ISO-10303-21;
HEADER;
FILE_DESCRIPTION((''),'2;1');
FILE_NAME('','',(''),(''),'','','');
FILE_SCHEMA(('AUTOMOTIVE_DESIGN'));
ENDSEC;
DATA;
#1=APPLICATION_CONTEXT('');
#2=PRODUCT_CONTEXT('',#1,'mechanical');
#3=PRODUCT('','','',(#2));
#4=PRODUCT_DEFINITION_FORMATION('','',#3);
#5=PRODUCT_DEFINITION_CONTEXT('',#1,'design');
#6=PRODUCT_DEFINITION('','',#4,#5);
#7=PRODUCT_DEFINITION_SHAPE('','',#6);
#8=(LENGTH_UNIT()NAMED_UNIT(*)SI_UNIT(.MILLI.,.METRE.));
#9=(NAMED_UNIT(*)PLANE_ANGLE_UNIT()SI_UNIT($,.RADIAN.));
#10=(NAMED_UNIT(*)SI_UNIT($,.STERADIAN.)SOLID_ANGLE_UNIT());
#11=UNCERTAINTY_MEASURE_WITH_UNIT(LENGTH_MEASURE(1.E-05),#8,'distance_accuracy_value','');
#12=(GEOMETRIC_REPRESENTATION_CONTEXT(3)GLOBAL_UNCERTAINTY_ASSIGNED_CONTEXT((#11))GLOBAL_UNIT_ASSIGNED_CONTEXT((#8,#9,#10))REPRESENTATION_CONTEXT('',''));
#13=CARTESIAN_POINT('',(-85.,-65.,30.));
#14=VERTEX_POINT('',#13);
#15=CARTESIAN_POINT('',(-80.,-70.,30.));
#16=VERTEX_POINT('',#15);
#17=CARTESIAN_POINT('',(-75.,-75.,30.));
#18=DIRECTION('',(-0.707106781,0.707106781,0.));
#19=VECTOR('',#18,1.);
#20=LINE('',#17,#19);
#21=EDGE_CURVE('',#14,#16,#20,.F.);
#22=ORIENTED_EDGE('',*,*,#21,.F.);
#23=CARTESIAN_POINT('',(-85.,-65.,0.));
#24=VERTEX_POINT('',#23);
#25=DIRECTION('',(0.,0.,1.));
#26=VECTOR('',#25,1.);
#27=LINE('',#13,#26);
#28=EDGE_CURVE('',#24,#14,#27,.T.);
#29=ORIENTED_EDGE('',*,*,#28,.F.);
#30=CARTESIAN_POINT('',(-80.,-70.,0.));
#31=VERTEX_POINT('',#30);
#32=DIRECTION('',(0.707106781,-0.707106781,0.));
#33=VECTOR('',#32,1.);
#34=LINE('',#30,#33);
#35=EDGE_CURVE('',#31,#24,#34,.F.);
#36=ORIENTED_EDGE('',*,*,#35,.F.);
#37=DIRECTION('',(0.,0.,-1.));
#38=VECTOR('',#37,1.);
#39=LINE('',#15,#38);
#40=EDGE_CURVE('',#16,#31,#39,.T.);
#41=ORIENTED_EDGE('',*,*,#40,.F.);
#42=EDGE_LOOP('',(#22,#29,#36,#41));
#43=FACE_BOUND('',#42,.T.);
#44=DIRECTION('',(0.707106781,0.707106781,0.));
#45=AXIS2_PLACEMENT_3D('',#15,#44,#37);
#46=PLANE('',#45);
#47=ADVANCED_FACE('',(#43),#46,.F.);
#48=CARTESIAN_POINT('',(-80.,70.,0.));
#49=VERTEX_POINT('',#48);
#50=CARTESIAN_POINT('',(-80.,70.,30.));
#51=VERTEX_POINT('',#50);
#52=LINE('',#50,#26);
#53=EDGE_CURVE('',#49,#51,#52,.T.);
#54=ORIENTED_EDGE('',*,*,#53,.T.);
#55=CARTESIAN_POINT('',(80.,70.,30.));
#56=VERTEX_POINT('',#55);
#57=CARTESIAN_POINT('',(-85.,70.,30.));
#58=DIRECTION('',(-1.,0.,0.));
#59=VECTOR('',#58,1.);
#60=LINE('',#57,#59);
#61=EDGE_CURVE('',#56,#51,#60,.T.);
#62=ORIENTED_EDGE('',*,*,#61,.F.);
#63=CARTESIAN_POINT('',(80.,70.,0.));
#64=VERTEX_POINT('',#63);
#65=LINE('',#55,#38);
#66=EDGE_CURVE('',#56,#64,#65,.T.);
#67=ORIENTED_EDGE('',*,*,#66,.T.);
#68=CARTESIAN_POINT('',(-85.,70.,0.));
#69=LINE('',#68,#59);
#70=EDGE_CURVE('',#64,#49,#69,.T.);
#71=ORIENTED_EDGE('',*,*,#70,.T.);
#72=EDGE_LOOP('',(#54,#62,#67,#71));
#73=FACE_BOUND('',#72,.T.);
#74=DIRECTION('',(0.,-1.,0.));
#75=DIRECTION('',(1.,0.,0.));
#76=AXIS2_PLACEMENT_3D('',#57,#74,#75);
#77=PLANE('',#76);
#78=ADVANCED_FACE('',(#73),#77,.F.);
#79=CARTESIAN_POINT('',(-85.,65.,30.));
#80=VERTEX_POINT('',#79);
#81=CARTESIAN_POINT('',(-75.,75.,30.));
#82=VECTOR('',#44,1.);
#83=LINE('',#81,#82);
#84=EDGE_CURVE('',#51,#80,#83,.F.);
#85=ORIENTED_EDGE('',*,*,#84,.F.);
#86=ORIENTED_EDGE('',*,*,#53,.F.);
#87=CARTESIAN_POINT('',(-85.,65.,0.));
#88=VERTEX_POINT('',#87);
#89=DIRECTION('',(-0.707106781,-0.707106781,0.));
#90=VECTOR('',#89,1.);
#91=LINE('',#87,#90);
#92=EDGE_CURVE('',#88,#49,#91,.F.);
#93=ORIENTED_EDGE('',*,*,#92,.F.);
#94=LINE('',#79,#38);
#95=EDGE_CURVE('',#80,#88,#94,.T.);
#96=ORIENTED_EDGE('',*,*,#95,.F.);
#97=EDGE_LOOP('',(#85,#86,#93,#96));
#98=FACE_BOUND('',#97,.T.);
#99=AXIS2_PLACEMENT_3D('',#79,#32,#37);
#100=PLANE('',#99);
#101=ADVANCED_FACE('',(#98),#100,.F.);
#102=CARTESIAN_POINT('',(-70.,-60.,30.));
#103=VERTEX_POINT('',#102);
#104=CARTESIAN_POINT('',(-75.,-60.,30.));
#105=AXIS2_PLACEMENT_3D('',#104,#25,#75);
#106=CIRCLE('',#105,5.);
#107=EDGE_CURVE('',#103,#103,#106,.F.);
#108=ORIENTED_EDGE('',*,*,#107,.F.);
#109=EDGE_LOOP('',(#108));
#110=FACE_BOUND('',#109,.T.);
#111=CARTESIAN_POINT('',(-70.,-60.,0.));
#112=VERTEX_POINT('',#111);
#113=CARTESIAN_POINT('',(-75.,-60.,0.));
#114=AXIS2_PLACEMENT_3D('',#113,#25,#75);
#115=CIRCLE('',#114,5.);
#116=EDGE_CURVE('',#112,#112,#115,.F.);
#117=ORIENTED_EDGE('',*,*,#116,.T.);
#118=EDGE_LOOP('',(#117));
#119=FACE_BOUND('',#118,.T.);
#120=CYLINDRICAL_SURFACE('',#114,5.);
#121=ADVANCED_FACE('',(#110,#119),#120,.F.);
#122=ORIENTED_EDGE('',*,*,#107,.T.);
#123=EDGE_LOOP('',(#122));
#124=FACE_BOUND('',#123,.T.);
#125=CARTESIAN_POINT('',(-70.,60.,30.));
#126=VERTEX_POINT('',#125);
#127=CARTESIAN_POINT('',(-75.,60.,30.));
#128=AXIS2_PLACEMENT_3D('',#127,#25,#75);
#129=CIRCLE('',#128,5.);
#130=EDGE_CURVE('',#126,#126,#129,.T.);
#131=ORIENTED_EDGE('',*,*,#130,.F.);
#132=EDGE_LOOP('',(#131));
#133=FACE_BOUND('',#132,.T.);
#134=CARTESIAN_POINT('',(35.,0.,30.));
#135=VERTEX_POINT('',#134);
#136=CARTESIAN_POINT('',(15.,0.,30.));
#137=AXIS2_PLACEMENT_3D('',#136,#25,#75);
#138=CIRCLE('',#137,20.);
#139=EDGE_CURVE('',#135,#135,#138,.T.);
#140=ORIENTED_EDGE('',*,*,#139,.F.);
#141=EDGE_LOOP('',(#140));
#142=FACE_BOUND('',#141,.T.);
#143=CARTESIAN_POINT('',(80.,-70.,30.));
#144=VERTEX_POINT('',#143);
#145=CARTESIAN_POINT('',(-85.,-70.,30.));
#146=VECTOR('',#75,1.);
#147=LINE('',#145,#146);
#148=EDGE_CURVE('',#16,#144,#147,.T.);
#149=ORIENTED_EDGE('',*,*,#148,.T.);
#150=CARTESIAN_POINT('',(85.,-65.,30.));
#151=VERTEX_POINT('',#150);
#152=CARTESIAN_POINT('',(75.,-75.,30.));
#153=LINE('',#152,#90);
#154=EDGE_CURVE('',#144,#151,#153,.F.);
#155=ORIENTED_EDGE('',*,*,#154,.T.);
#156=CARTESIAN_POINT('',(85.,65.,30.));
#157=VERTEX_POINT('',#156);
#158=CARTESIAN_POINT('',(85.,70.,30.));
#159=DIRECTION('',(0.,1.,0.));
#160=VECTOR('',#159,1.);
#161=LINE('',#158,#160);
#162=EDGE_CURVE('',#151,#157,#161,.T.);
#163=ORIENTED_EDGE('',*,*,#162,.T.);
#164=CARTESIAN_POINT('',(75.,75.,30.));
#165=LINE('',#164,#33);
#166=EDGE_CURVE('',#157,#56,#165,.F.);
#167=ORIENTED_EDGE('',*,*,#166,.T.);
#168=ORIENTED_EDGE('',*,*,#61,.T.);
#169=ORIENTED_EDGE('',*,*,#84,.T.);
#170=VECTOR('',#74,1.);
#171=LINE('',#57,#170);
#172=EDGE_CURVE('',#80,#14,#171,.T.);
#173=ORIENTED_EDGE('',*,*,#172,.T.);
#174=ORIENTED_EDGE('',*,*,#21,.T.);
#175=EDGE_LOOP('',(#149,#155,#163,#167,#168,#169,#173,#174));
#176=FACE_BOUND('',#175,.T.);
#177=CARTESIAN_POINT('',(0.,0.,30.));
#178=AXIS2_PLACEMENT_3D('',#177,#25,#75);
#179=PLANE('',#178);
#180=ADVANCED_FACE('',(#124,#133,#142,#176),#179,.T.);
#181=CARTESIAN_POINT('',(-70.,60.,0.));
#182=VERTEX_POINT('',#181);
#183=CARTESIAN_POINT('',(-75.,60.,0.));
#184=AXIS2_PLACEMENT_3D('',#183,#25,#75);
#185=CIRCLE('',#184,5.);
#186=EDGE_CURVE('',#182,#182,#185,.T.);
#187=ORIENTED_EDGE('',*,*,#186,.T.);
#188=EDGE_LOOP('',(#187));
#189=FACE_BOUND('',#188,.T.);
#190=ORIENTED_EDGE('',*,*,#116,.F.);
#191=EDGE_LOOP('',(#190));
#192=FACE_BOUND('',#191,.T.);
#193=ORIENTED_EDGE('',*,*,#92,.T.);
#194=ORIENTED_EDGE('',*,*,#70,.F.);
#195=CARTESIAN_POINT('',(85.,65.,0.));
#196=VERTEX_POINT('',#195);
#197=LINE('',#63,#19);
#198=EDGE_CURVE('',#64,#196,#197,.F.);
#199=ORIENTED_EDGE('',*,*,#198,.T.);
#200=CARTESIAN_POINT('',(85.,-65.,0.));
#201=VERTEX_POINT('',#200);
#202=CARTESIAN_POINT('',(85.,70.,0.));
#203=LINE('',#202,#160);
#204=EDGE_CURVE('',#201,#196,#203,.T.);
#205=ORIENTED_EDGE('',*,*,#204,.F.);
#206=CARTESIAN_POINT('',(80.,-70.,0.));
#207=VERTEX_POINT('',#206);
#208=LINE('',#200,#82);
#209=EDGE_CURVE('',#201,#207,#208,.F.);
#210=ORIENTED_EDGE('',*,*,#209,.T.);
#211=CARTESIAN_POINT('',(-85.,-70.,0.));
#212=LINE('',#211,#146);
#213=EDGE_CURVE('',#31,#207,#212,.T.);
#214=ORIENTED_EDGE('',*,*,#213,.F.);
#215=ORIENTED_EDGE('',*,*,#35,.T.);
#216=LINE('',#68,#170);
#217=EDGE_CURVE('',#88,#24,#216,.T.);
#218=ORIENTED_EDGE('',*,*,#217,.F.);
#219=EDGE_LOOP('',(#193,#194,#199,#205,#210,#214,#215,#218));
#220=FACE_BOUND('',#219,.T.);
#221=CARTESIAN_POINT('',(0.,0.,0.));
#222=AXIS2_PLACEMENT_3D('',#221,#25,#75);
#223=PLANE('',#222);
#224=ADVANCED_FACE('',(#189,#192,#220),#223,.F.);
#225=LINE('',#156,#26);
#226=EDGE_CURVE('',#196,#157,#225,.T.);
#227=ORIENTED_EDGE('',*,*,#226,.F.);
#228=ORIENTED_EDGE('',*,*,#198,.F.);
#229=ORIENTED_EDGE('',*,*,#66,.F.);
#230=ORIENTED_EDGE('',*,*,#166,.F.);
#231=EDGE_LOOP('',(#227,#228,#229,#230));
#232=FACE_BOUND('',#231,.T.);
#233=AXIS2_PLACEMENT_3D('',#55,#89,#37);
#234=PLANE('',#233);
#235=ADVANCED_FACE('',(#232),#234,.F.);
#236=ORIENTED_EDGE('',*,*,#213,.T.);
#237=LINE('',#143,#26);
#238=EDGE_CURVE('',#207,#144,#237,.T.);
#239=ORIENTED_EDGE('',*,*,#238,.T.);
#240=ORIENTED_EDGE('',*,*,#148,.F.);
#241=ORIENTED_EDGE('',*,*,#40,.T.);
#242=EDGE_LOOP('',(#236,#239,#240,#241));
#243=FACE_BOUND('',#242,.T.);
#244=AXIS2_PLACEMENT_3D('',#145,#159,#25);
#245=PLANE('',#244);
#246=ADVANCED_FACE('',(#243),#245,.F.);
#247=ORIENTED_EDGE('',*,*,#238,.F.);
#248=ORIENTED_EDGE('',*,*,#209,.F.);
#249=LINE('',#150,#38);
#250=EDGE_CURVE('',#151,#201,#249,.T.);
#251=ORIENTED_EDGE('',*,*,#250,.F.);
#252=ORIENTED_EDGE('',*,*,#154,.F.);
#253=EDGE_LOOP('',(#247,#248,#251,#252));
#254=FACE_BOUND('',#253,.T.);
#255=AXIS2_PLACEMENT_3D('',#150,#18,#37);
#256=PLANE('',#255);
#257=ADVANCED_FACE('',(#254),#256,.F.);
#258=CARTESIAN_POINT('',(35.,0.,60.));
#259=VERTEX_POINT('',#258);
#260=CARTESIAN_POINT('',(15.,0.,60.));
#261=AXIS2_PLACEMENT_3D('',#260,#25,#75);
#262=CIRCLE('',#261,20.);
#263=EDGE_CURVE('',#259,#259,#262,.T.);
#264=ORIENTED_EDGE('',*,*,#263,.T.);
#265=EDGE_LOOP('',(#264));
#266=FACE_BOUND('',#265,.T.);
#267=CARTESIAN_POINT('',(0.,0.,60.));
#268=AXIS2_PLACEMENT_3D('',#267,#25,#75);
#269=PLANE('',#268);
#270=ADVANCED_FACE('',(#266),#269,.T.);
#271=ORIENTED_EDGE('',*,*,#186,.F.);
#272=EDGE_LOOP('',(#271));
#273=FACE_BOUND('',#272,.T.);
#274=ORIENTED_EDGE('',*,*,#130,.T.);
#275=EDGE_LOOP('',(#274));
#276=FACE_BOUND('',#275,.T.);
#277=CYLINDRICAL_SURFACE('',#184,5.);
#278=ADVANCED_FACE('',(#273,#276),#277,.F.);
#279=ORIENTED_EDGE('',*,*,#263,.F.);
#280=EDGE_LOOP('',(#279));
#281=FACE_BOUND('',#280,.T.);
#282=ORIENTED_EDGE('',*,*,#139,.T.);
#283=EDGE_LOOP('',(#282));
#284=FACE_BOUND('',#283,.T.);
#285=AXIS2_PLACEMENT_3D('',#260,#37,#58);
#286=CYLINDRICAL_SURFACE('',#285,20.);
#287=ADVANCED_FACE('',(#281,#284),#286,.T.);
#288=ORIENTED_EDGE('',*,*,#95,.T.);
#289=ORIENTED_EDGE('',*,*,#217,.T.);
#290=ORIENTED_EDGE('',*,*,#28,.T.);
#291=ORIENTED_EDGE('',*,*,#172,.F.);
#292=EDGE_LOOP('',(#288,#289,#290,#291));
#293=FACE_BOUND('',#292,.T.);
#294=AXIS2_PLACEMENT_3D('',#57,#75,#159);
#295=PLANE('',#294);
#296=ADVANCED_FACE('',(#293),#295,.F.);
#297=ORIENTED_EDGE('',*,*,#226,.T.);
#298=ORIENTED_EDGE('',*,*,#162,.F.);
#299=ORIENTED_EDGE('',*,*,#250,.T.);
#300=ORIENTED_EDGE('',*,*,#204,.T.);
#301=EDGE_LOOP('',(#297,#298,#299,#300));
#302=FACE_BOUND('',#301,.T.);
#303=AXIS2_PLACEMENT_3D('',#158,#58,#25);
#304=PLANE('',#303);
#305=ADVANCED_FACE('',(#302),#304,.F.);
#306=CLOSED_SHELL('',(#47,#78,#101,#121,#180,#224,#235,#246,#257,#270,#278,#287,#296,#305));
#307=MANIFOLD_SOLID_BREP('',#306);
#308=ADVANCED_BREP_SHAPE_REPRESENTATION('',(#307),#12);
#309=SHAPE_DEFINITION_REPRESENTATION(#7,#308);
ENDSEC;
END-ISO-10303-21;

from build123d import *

# Parameters (mm, degrees)
CROQUIS1_W              = 170
CROQUIS1_H              = 140
SALIENTE_EXTRUIR1_DEPTH = 30
CHAFL_N1_SIZE           = 5
CROQUIS2_R              = 20
SALIENTE_EXTRUIR2_DEPTH = 30
CROQUIS2_3_R            = 5
CORTAR_EXTRUIR1_DEPTH   = 30


with BuildPart() as part:
    # Croquis1 → Saliente-Extruir1 (new body)
    with BuildSketch(Plane.XY):
        Rectangle(CROQUIS1_W, CROQUIS1_H)
    extrude(amount=SALIENTE_EXTRUIR1_DEPTH)

    # Chaflán1
    chafl_n1_edges = [part.edges().sort_by_distance(p)[0] for p in [
        (85, -70, 15),
        (-85, -70, 15),
        (-85, 70, 15),
        (85, 70, 15),
    ]]
    chamfer(chafl_n1_edges, length=CHAFL_N1_SIZE)

    # Croquis2 → Saliente-Extruir2 (add)
    with BuildSketch(Plane.XY.offset(30)):
        with Locations((15, 0)):
            Circle(CROQUIS2_R)
    extrude(amount=SALIENTE_EXTRUIR2_DEPTH)

    # Croquis2<3> → Cortar-Extruir1 (cut)
    with BuildSketch(Plane.XY.offset(30)):
        with Locations((-75, 60)):
            Circle(CROQUIS2_3_R)
        with Locations((-75, -60)):
            Circle(CROQUIS2_3_R)
    extrude(amount=-CORTAR_EXTRUIR1_DEPTH, mode=Mode.SUBTRACT)


solid = part.part
